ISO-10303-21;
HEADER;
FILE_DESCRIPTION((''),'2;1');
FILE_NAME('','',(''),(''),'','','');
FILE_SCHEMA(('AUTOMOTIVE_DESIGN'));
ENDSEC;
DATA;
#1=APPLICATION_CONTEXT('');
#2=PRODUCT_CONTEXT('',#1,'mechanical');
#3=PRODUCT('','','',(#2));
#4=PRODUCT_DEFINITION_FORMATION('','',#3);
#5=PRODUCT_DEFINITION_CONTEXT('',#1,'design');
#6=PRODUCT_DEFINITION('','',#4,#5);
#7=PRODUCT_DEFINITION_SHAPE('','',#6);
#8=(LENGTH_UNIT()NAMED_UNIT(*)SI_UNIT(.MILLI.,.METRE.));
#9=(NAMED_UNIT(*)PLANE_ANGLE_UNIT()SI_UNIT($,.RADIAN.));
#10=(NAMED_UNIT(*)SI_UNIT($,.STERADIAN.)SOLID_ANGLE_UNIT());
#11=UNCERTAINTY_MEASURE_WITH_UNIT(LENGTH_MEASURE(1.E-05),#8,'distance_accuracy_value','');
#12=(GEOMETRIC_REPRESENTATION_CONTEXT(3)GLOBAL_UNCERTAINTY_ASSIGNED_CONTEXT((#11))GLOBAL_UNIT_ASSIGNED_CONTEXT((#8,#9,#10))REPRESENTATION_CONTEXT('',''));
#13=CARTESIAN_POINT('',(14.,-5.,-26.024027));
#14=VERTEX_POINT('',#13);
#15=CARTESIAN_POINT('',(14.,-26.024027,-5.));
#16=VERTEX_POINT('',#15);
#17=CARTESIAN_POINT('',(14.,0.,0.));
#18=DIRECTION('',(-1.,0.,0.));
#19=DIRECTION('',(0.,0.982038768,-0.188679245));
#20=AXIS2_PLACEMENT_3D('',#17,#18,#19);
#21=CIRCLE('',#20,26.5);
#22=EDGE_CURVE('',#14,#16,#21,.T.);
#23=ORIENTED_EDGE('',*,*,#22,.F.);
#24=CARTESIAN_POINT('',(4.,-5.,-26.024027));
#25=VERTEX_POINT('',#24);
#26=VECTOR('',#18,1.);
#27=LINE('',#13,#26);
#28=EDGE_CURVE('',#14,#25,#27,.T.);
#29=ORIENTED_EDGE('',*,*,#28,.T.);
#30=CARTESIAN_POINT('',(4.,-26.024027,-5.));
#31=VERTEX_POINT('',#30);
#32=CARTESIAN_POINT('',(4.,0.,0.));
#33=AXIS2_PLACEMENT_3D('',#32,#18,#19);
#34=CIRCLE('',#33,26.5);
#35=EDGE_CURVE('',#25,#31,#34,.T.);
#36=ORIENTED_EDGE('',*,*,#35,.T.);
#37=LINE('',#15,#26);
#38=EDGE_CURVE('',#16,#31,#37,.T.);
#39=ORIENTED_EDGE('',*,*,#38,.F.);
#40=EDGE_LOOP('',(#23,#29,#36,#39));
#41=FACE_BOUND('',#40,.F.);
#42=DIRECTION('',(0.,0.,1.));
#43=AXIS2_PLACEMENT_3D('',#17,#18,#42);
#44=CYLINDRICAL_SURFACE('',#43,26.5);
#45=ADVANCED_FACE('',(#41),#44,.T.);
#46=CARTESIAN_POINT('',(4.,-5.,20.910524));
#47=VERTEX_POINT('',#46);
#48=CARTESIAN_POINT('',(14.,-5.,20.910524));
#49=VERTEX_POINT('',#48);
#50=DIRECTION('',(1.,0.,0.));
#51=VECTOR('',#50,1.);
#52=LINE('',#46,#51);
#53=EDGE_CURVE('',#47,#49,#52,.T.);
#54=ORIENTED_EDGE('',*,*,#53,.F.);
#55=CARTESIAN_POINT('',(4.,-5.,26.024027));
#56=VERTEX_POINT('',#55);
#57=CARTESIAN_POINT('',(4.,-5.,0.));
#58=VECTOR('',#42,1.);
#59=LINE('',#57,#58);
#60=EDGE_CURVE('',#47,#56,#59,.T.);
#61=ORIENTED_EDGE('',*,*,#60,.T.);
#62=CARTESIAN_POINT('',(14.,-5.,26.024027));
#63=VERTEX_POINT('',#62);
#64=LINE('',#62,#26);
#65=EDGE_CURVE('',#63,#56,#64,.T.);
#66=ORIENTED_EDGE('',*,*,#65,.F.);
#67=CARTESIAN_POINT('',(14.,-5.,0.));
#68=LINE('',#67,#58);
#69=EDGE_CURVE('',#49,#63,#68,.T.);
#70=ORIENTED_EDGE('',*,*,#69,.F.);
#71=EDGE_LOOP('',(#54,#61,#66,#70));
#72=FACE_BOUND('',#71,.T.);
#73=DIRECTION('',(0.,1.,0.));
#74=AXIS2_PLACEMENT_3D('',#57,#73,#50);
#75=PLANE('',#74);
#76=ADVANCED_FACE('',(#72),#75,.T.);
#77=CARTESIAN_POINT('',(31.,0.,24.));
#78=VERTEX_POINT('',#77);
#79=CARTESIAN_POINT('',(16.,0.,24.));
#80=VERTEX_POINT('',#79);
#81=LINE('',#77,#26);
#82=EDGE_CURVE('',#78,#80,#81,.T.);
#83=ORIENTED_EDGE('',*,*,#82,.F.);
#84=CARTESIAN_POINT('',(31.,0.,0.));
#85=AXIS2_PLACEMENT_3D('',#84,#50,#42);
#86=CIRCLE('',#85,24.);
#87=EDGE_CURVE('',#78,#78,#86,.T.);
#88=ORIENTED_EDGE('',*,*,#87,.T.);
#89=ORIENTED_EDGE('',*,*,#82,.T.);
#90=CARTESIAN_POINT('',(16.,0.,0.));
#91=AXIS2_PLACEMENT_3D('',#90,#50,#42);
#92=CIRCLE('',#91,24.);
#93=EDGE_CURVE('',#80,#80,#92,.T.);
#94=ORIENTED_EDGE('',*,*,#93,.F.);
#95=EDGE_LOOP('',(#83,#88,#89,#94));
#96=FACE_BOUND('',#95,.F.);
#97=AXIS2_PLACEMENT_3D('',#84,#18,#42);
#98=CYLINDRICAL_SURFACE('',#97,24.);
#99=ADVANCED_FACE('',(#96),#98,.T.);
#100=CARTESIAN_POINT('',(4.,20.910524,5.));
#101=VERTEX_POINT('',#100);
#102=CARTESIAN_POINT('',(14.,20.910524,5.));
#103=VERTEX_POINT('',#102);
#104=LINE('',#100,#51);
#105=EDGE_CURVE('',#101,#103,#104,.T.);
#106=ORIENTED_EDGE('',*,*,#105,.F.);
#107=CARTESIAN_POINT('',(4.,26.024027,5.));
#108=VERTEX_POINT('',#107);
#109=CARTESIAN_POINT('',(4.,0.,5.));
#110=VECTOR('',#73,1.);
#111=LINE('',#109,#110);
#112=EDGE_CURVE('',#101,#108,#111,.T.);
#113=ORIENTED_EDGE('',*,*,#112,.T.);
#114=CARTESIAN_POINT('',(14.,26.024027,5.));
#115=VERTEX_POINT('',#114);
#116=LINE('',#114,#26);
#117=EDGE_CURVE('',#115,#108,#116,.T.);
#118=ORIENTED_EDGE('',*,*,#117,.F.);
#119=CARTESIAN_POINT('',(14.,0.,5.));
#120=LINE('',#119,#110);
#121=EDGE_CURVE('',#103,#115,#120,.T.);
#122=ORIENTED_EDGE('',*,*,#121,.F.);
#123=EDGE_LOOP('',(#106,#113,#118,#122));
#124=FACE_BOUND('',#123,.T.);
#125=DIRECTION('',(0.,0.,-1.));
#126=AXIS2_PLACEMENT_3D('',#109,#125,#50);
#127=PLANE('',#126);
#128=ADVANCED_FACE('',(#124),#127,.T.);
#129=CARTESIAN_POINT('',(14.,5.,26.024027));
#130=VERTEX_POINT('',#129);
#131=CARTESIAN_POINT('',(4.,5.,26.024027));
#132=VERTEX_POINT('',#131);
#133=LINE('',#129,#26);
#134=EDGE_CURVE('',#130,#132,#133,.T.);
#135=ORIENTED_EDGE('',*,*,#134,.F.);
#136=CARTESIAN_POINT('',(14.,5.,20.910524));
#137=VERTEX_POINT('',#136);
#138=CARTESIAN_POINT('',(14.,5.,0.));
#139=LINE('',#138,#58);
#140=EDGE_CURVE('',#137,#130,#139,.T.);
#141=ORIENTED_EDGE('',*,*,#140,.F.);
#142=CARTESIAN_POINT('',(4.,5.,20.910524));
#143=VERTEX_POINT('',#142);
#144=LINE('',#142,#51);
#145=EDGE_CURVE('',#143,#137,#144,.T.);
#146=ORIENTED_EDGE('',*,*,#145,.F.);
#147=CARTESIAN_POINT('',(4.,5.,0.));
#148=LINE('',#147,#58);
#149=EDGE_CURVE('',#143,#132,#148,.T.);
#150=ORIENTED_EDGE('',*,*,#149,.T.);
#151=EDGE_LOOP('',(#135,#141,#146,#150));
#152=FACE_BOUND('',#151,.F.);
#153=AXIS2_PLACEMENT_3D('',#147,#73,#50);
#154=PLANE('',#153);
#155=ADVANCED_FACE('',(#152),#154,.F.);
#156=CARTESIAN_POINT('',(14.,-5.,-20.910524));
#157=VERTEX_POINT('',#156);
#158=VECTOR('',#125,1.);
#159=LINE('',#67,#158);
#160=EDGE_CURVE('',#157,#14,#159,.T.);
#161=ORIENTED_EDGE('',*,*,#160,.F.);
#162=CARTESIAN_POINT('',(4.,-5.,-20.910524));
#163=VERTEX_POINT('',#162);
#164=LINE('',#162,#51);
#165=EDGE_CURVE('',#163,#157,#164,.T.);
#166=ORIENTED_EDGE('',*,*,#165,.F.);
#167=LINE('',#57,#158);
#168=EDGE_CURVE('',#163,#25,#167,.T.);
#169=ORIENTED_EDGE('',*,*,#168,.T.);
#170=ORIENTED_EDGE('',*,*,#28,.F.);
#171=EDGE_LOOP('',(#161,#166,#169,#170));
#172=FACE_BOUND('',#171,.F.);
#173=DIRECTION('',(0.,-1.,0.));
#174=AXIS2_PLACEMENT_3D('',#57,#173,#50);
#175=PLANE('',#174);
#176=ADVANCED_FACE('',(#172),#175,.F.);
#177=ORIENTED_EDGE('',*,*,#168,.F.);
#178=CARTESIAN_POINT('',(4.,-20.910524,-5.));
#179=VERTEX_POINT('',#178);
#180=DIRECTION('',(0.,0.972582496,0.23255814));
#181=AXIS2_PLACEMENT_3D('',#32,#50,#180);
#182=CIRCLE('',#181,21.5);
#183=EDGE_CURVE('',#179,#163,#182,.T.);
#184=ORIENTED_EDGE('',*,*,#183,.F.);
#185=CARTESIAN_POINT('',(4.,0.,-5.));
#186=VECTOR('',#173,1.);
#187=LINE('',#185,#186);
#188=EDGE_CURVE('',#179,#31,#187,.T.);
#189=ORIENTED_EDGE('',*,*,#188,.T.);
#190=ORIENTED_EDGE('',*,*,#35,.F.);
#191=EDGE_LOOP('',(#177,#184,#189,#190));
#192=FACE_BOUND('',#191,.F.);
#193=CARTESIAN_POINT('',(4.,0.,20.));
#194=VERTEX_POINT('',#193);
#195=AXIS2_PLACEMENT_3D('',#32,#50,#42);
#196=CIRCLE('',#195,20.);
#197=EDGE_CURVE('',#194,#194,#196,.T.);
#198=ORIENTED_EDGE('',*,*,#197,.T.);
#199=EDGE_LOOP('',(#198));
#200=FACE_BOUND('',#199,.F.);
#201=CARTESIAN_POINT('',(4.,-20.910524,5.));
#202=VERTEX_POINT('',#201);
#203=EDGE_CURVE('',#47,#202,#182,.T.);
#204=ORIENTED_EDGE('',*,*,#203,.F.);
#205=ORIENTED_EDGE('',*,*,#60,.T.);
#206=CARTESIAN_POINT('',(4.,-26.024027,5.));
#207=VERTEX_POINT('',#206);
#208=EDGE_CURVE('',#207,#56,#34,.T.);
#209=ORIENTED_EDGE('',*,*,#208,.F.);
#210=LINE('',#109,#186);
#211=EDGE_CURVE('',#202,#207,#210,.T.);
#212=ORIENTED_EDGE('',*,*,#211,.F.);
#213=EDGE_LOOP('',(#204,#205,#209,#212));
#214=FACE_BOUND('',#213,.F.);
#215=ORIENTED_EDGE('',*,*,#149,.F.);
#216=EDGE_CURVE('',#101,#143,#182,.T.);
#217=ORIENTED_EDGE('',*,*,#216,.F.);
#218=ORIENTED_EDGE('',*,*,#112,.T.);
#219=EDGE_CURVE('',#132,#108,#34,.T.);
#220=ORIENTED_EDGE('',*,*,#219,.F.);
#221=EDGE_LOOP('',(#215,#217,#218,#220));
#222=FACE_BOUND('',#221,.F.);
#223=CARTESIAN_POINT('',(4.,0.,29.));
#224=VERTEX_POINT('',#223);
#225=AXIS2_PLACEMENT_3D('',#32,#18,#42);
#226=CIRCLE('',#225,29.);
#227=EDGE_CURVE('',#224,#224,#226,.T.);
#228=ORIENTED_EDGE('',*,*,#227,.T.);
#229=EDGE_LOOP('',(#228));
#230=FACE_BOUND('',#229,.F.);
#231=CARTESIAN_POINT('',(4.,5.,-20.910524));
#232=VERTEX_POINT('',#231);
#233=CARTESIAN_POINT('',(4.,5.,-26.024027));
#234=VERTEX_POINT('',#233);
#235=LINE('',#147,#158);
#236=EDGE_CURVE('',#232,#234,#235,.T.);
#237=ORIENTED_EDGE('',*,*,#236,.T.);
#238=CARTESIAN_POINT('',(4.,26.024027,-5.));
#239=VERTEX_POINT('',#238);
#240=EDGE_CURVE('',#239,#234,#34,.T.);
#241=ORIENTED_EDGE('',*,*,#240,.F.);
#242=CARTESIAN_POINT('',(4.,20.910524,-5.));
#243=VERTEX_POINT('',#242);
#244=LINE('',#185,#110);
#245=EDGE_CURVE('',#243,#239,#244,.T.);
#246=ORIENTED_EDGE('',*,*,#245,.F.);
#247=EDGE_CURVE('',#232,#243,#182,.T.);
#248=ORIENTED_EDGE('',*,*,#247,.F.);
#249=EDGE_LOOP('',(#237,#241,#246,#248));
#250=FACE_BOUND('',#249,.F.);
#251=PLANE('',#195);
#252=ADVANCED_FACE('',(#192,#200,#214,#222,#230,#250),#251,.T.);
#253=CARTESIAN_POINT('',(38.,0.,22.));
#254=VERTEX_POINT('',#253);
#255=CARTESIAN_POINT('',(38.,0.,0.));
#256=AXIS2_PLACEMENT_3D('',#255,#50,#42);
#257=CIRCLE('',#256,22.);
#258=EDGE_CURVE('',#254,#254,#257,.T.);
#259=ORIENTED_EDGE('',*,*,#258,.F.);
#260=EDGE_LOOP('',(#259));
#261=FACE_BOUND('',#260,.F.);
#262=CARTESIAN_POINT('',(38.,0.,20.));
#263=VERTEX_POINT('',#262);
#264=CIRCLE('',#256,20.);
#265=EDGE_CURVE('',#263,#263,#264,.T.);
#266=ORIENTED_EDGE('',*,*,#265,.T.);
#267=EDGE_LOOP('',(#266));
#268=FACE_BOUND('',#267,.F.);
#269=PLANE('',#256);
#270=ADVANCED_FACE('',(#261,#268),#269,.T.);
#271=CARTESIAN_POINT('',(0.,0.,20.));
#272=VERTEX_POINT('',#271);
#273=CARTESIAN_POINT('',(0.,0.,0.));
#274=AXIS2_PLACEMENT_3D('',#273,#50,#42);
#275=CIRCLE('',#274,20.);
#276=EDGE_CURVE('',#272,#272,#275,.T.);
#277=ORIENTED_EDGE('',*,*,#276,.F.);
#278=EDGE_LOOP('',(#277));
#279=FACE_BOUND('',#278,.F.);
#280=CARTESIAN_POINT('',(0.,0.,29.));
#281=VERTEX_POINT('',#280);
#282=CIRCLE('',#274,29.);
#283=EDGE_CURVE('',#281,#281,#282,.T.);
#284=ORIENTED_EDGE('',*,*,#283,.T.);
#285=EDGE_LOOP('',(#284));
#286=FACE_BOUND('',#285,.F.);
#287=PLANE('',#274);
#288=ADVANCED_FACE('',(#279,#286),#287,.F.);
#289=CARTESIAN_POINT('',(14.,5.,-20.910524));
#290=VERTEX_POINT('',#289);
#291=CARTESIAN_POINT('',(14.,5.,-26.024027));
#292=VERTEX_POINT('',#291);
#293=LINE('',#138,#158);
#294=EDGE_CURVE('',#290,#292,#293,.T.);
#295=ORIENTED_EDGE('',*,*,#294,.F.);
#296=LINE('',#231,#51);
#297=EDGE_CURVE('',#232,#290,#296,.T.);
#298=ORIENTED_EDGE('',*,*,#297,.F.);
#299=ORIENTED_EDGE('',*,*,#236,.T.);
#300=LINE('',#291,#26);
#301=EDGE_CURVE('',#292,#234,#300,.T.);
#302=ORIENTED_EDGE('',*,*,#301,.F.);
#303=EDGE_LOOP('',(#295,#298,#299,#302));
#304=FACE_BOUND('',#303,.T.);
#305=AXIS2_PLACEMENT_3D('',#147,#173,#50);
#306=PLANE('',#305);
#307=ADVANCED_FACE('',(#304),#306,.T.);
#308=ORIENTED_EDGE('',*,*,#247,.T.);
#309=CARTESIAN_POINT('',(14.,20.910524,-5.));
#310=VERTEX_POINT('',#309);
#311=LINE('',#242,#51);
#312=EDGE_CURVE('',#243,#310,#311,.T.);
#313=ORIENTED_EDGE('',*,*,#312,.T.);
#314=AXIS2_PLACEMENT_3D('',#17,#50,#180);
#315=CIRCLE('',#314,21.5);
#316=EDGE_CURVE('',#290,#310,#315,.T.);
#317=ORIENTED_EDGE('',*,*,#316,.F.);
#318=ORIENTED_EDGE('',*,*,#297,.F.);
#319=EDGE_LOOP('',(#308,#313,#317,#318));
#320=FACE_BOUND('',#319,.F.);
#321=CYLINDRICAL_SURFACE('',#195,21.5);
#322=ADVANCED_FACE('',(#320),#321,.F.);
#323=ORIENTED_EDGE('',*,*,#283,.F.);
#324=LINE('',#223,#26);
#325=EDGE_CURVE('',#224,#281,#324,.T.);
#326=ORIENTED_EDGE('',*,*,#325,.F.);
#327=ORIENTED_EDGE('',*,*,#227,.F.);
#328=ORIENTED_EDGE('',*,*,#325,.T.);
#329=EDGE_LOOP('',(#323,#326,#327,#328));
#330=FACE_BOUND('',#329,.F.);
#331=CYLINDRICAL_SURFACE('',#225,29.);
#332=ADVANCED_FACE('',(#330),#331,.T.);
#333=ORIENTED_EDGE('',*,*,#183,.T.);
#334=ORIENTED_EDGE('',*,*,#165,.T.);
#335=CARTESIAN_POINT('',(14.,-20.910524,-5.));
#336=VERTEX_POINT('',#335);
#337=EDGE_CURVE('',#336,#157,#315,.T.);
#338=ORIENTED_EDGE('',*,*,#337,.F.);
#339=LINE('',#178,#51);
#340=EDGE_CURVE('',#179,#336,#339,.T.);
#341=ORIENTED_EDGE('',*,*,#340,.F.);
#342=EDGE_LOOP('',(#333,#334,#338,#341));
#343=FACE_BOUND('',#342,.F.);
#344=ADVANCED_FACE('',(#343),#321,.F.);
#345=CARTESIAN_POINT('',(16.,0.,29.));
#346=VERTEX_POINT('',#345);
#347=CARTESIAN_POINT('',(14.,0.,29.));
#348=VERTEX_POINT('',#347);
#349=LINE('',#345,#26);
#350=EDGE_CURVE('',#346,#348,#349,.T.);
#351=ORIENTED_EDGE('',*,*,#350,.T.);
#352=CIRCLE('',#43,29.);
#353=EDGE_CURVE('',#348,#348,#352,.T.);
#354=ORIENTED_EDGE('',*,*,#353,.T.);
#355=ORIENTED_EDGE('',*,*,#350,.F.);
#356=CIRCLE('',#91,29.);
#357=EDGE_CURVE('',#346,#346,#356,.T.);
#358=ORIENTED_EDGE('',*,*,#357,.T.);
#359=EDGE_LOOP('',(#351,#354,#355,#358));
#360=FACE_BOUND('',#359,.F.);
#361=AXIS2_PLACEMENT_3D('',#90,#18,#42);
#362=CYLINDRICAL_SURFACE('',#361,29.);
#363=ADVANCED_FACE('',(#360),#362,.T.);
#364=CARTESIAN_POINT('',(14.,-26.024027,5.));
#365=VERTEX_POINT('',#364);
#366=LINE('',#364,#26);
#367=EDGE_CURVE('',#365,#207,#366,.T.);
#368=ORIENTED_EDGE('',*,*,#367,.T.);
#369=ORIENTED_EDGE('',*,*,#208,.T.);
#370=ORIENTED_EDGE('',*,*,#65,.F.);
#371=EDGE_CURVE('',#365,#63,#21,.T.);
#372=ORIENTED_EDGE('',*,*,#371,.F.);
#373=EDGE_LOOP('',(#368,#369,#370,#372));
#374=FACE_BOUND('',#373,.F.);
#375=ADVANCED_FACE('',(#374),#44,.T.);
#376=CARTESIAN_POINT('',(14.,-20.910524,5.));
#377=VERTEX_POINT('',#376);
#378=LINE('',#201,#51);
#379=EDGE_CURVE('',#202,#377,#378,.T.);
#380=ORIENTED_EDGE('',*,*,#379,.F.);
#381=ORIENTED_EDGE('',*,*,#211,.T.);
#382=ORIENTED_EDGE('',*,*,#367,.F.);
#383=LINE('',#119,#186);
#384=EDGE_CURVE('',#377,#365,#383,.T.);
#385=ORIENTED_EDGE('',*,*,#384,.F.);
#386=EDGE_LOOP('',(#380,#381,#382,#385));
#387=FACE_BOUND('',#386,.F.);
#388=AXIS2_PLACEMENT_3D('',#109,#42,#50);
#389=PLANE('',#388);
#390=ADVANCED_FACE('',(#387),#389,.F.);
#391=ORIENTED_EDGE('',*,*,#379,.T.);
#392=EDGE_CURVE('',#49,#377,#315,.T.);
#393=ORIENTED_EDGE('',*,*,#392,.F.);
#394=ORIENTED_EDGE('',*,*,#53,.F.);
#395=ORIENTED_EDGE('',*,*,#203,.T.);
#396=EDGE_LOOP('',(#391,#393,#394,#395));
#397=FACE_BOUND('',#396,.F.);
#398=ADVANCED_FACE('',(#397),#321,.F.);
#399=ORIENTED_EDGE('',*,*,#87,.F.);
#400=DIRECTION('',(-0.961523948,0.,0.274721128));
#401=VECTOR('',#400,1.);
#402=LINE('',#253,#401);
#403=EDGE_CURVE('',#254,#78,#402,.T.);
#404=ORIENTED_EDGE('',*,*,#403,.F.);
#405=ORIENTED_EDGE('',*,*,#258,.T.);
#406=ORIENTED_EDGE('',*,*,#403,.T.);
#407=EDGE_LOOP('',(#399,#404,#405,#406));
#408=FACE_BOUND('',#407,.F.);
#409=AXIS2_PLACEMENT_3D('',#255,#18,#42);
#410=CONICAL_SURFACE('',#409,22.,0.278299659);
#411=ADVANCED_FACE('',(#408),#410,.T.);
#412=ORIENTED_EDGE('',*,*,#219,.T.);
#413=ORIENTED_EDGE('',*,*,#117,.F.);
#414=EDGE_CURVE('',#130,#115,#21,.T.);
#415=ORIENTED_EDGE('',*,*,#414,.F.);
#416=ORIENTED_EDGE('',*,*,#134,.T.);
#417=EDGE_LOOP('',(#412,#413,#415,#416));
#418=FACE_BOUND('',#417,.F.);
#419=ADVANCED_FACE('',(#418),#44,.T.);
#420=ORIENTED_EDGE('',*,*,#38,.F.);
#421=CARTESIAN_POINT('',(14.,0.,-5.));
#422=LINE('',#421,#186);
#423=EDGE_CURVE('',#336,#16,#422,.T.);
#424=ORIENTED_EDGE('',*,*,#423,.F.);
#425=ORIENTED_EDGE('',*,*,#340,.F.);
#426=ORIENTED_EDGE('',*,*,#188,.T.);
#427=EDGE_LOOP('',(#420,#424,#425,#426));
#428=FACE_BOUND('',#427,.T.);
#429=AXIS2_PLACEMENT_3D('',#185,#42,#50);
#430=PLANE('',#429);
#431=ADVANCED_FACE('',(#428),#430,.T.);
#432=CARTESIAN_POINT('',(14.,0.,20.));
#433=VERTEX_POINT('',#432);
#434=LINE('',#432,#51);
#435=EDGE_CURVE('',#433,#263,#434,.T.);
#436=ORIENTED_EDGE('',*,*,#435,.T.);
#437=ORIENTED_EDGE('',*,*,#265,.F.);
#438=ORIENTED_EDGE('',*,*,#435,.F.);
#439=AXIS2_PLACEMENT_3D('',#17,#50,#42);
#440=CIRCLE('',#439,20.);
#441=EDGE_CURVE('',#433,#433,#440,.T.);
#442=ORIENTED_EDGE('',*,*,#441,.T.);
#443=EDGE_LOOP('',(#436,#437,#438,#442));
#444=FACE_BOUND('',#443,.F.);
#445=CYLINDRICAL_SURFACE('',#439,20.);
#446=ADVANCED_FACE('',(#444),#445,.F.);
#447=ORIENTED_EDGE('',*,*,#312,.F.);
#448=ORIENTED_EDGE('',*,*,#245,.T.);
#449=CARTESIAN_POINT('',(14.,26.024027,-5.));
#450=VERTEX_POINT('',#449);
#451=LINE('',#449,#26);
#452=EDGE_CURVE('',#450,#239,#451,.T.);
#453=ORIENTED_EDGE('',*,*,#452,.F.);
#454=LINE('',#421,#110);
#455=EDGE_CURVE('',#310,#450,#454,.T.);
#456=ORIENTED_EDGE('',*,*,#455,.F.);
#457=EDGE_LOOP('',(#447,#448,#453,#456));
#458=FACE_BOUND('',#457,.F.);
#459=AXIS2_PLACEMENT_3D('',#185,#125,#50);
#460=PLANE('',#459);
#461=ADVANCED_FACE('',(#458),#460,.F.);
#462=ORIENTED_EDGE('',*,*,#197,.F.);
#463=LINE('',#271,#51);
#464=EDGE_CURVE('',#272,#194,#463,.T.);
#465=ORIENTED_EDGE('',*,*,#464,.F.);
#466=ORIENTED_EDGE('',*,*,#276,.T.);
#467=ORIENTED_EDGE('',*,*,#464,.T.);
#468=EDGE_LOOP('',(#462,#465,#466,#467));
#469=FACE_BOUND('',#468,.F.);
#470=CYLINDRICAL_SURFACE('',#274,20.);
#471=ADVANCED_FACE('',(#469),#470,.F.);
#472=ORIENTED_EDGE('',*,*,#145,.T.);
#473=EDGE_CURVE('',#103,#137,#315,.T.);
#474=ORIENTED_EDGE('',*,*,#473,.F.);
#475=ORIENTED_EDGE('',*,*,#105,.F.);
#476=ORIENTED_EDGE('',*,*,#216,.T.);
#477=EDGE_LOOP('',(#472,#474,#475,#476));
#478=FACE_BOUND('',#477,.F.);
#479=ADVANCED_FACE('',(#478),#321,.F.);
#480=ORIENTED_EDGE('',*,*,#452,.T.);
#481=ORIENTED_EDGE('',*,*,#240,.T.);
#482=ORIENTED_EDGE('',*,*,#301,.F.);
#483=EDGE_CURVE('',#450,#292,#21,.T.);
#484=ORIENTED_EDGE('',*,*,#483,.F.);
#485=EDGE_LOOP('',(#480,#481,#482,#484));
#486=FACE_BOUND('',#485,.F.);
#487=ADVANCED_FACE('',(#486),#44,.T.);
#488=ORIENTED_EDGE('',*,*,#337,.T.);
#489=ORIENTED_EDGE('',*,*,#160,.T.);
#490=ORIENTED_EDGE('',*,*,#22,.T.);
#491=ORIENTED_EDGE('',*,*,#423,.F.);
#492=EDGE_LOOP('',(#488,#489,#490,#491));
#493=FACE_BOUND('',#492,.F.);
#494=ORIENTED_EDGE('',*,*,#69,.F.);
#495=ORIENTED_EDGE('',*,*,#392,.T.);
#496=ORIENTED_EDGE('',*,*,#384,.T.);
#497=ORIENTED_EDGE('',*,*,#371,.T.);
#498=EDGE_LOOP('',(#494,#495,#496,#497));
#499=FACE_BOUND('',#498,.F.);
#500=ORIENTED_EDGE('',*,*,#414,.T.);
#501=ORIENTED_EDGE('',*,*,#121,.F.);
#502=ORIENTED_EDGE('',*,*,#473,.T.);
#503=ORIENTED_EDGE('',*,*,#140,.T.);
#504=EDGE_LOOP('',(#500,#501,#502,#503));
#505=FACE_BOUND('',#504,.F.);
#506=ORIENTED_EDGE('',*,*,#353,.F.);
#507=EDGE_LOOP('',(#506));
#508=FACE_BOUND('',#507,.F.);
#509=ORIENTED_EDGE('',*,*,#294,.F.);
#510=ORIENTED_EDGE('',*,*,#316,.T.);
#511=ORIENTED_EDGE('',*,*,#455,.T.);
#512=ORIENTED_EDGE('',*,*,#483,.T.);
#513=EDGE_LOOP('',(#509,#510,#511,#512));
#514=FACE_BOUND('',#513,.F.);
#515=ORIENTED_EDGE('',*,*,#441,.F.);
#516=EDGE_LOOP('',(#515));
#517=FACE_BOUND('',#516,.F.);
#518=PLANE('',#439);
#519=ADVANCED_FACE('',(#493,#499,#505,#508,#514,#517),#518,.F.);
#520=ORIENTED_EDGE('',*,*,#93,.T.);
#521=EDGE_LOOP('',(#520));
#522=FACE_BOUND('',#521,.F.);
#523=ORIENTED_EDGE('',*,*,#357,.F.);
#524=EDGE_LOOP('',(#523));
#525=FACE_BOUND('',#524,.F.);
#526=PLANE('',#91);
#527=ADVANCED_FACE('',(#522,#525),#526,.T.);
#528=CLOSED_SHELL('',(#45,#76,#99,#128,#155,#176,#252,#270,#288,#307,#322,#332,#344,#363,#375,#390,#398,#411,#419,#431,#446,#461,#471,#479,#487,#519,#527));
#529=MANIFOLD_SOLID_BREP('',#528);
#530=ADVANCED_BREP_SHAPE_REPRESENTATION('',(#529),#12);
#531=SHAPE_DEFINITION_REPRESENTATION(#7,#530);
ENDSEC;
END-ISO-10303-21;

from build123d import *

# Parameters (mm, degrees)
F2_W          = 10
F2_H          = 10
F3_DEPTH      = 100
F3_DEPTH_BACK = 100
F4_W          = 10
F4_H          = 10
F5_DEPTH      = 50
F5_DEPTH_BACK = 50


with BuildPart() as f1:
    # F0 (on Front) → F1 (revolve)
    with BuildSketch(Plane.XZ):
        Polygon((0, 29), (0, 20), (4, 20), (4, 21.5), (14, 21.5), (14, 20), (38, 20), (38, 22), (31, 24), (16, 24), (16, 29), (14, 29), (14, 26.5), (4, 26.5), (4, 29), align=None)
    revolve(axis=Axis((36.8667048862, 0, 0), (1, 0, 0)))

    # F2 (on Front) → F3 (cut, two sides)
    with BuildSketch(Plane.XZ) as f3_sk:
        with Locations((9, 0)):
            Rectangle(F2_W, F2_H)
    extrude(amount=-F3_DEPTH, mode=Mode.SUBTRACT)
    extrude(f3_sk.sketch, amount=F3_DEPTH_BACK, mode=Mode.SUBTRACT)

    # F4 (on Top) → F5 (cut, two sides)
    with BuildSketch(Plane.XY) as f5_sk:
        with Locations((9, 0)):
            Rectangle(F4_W, F4_H)
    extrude(amount=-F5_DEPTH, mode=Mode.SUBTRACT)
    extrude(f5_sk.sketch, amount=F5_DEPTH_BACK, mode=Mode.SUBTRACT)


solid = f1.part
